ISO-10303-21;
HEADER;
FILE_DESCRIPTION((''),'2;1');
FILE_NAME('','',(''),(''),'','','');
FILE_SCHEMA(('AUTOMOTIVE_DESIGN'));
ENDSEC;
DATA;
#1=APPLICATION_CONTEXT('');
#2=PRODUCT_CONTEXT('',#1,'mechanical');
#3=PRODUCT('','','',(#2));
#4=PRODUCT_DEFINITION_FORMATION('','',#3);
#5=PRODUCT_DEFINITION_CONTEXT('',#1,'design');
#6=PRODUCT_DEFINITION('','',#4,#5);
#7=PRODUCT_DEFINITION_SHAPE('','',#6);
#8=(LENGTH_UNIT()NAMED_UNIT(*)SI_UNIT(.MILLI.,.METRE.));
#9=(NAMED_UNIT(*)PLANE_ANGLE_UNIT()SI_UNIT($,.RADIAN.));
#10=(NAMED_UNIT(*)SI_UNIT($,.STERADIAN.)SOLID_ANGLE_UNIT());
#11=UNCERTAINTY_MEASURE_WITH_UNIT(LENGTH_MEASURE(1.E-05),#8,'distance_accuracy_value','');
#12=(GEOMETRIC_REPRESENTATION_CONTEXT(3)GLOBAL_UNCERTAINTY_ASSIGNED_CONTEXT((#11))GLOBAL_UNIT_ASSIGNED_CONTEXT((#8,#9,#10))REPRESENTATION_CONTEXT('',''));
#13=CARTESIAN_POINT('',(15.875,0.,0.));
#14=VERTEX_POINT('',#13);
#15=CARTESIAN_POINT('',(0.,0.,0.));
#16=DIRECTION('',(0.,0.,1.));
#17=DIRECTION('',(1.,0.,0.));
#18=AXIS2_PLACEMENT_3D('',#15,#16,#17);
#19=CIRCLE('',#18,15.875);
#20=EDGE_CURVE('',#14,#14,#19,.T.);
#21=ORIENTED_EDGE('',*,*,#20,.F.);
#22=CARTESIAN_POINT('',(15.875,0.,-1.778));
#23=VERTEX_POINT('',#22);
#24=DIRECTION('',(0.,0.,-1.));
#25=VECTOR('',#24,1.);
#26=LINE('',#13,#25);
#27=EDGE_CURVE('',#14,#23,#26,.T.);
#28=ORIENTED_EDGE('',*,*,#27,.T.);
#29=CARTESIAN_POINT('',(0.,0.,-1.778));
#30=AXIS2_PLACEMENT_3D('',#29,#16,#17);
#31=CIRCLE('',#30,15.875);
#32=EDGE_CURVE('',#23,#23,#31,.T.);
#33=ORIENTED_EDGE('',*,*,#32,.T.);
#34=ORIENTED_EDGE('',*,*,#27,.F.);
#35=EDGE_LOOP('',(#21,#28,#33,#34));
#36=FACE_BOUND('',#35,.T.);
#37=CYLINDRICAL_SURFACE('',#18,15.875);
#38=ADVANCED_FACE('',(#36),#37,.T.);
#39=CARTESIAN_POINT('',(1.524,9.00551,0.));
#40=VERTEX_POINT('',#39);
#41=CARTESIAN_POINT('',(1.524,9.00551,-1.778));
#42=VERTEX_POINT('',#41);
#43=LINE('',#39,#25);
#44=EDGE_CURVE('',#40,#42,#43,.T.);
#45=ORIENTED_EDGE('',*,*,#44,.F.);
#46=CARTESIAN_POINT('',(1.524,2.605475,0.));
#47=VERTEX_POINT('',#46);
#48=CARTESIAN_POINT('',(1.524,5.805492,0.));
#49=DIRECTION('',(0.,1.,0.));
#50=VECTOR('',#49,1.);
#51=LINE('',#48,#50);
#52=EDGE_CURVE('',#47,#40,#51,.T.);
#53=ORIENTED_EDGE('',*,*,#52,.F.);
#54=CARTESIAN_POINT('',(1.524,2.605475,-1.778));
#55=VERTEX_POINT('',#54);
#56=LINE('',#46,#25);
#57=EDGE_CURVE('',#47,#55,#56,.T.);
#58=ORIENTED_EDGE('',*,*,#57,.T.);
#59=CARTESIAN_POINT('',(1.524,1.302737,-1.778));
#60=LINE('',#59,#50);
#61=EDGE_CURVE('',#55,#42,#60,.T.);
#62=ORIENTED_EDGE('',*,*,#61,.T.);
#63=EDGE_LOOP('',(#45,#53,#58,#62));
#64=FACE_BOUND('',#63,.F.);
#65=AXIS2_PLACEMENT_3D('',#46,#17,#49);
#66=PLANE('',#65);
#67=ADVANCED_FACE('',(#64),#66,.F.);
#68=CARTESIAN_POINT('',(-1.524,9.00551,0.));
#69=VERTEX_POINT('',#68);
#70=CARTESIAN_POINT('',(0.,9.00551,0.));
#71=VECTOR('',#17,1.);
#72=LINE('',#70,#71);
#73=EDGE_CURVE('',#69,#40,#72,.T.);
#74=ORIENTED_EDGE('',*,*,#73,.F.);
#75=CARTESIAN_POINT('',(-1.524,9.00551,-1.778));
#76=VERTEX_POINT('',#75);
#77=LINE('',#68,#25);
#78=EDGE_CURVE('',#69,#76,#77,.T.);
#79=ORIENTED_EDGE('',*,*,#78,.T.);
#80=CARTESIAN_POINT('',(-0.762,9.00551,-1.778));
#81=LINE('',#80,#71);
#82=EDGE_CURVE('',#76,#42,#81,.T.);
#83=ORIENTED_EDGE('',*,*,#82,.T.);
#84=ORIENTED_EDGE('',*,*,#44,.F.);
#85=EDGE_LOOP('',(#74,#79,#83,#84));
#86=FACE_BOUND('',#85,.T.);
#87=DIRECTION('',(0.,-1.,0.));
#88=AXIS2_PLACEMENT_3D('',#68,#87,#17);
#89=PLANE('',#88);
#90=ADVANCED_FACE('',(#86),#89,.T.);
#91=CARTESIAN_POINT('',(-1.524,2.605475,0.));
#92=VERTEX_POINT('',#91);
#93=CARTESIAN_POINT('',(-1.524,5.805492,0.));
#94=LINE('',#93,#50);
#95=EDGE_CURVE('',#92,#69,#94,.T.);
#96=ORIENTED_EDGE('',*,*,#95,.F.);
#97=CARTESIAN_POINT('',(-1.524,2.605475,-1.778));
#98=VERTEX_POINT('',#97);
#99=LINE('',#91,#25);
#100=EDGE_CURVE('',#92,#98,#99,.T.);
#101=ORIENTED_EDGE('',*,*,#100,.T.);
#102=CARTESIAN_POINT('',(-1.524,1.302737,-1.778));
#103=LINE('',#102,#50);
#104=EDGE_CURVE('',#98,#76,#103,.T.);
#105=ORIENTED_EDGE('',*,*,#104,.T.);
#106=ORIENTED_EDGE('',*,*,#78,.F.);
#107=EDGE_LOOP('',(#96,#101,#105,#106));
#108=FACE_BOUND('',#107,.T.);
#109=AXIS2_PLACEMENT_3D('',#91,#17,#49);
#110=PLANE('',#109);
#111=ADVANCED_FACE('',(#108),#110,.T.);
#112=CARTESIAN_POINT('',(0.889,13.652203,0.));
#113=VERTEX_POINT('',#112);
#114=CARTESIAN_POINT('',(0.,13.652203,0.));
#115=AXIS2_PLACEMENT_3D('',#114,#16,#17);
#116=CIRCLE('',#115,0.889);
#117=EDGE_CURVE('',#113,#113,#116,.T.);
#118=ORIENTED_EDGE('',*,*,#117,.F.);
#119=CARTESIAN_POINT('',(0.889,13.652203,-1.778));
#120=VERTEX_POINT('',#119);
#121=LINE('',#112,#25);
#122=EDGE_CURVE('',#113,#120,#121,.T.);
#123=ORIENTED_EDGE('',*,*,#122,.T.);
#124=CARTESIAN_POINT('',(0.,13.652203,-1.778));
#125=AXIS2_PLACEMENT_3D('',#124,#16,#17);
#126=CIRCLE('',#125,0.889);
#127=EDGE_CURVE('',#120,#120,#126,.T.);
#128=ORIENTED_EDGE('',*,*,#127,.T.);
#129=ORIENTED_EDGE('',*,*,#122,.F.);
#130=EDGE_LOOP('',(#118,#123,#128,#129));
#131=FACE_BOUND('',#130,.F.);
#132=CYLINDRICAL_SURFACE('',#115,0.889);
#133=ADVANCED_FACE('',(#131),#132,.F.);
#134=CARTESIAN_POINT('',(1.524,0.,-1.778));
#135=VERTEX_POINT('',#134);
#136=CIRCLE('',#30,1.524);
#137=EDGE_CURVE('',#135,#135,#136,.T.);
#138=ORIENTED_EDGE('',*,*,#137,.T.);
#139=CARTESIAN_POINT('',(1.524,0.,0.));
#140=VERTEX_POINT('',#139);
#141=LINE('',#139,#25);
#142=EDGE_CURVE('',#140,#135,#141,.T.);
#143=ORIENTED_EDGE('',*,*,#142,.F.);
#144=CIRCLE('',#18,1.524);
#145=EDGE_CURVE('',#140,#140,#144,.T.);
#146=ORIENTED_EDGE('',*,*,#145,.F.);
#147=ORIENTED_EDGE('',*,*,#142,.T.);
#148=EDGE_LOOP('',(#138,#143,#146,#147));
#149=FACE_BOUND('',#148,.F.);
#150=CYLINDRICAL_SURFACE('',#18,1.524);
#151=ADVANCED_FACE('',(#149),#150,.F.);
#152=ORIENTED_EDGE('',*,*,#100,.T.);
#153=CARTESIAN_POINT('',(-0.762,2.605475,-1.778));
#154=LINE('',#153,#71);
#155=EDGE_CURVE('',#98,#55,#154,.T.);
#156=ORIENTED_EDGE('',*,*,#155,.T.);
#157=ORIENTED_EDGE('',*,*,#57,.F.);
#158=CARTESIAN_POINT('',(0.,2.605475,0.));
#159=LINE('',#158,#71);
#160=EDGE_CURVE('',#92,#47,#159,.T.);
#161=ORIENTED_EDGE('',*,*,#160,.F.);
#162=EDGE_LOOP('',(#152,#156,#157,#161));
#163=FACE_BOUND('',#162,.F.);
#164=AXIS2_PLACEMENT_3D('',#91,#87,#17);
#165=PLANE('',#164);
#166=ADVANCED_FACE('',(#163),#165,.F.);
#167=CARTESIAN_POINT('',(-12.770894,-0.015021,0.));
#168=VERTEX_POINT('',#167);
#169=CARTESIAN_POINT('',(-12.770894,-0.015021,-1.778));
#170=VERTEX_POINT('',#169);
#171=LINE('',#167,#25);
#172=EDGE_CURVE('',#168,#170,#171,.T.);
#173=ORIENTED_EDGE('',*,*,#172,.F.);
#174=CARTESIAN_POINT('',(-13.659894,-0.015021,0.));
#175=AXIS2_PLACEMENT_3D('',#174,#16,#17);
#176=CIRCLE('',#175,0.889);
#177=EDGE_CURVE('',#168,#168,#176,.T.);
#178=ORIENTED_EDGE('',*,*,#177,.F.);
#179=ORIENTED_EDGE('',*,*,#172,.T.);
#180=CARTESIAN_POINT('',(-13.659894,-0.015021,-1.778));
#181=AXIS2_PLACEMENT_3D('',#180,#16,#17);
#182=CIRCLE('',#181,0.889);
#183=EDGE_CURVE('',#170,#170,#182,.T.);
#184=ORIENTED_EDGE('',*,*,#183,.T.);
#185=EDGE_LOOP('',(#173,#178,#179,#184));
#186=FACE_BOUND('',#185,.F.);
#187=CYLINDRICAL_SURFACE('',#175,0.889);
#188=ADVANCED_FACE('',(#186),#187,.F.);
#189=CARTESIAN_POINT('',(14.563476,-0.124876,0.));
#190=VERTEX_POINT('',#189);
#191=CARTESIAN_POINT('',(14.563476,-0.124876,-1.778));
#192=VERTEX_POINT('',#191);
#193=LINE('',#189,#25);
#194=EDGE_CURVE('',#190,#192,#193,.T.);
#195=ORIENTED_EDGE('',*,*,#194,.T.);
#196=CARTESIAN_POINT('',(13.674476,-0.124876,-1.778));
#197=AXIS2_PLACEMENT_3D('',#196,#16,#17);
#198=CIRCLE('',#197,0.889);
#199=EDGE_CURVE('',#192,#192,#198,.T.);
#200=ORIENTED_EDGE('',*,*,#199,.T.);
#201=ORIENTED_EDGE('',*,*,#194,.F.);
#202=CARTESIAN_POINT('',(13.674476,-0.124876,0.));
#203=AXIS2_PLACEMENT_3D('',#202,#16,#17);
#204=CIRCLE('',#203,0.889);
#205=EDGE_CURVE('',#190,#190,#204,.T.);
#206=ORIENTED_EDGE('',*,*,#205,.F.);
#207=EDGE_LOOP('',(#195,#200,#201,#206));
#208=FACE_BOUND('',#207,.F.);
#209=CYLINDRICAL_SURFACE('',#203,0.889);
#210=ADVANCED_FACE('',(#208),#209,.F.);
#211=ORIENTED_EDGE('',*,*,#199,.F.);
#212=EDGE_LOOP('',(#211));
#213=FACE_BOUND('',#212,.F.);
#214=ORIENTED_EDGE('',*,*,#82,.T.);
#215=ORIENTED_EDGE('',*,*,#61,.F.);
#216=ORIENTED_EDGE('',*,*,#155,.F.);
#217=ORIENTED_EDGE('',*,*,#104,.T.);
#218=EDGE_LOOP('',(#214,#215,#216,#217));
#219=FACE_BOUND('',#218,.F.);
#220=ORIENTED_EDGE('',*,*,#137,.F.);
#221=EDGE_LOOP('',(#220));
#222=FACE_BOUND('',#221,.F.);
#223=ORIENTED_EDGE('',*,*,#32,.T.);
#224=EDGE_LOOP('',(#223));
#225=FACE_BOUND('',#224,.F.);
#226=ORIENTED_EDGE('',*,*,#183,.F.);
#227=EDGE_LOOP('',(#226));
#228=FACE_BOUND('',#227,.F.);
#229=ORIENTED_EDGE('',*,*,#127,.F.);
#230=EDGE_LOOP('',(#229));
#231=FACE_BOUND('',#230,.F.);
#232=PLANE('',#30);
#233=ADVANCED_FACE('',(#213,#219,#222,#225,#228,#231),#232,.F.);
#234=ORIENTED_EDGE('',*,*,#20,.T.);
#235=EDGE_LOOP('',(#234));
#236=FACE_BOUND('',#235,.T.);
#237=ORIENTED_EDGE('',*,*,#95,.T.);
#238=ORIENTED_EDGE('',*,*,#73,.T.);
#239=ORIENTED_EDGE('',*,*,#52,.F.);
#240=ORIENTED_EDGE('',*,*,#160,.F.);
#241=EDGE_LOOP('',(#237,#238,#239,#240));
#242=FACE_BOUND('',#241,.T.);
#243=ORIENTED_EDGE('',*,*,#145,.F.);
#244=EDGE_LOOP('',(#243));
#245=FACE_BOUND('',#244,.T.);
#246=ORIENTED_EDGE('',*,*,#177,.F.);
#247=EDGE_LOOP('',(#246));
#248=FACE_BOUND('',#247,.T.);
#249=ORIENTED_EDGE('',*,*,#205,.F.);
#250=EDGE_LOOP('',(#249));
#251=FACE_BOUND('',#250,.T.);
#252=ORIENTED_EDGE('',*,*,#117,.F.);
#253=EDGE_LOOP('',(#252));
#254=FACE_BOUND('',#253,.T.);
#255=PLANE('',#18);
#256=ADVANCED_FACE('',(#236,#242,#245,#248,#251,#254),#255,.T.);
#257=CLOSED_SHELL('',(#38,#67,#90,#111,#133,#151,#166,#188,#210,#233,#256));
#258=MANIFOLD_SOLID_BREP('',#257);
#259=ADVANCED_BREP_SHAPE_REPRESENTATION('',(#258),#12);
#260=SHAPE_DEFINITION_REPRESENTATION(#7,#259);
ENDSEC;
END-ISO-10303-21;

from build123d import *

# Parameters (mm, degrees)
F0_R     = 15.875
F1_DEPTH = 1.778
F3_R     = 0.889
F4_DEPTH = 1.91313
F5_R     = 1.524
F5_W     = 3.048
F5_H     = 6.400035
F6_DEPTH = 2.22015


with BuildPart() as f1:
    # F0 (on Top) → F1 (new body)
    with BuildSketch(Plane.XY):
        Circle(F0_R)
    extrude(amount=-F1_DEPTH)

    # F3 (on face) → F4 (cut)
    with BuildSketch(Plane.XY):
        with Locations((0, 13.652203)):
            Circle(F3_R)
        with Locations((-13.659894, -0.015021)):
            Circle(F3_R)
        with Locations((13.674476, -0.124876)):
            Circle(F3_R)
    extrude(amount=-F4_DEPTH, mode=Mode.SUBTRACT)

    # F5 (on face) → F6 (cut)
    with BuildSketch(Plane.XY):
        Circle(F5_R)
        with Locations((0, 5.805492)):
            Rectangle(F5_W, F5_H)
    extrude(amount=-F6_DEPTH, mode=Mode.SUBTRACT)


solid = f1.part
